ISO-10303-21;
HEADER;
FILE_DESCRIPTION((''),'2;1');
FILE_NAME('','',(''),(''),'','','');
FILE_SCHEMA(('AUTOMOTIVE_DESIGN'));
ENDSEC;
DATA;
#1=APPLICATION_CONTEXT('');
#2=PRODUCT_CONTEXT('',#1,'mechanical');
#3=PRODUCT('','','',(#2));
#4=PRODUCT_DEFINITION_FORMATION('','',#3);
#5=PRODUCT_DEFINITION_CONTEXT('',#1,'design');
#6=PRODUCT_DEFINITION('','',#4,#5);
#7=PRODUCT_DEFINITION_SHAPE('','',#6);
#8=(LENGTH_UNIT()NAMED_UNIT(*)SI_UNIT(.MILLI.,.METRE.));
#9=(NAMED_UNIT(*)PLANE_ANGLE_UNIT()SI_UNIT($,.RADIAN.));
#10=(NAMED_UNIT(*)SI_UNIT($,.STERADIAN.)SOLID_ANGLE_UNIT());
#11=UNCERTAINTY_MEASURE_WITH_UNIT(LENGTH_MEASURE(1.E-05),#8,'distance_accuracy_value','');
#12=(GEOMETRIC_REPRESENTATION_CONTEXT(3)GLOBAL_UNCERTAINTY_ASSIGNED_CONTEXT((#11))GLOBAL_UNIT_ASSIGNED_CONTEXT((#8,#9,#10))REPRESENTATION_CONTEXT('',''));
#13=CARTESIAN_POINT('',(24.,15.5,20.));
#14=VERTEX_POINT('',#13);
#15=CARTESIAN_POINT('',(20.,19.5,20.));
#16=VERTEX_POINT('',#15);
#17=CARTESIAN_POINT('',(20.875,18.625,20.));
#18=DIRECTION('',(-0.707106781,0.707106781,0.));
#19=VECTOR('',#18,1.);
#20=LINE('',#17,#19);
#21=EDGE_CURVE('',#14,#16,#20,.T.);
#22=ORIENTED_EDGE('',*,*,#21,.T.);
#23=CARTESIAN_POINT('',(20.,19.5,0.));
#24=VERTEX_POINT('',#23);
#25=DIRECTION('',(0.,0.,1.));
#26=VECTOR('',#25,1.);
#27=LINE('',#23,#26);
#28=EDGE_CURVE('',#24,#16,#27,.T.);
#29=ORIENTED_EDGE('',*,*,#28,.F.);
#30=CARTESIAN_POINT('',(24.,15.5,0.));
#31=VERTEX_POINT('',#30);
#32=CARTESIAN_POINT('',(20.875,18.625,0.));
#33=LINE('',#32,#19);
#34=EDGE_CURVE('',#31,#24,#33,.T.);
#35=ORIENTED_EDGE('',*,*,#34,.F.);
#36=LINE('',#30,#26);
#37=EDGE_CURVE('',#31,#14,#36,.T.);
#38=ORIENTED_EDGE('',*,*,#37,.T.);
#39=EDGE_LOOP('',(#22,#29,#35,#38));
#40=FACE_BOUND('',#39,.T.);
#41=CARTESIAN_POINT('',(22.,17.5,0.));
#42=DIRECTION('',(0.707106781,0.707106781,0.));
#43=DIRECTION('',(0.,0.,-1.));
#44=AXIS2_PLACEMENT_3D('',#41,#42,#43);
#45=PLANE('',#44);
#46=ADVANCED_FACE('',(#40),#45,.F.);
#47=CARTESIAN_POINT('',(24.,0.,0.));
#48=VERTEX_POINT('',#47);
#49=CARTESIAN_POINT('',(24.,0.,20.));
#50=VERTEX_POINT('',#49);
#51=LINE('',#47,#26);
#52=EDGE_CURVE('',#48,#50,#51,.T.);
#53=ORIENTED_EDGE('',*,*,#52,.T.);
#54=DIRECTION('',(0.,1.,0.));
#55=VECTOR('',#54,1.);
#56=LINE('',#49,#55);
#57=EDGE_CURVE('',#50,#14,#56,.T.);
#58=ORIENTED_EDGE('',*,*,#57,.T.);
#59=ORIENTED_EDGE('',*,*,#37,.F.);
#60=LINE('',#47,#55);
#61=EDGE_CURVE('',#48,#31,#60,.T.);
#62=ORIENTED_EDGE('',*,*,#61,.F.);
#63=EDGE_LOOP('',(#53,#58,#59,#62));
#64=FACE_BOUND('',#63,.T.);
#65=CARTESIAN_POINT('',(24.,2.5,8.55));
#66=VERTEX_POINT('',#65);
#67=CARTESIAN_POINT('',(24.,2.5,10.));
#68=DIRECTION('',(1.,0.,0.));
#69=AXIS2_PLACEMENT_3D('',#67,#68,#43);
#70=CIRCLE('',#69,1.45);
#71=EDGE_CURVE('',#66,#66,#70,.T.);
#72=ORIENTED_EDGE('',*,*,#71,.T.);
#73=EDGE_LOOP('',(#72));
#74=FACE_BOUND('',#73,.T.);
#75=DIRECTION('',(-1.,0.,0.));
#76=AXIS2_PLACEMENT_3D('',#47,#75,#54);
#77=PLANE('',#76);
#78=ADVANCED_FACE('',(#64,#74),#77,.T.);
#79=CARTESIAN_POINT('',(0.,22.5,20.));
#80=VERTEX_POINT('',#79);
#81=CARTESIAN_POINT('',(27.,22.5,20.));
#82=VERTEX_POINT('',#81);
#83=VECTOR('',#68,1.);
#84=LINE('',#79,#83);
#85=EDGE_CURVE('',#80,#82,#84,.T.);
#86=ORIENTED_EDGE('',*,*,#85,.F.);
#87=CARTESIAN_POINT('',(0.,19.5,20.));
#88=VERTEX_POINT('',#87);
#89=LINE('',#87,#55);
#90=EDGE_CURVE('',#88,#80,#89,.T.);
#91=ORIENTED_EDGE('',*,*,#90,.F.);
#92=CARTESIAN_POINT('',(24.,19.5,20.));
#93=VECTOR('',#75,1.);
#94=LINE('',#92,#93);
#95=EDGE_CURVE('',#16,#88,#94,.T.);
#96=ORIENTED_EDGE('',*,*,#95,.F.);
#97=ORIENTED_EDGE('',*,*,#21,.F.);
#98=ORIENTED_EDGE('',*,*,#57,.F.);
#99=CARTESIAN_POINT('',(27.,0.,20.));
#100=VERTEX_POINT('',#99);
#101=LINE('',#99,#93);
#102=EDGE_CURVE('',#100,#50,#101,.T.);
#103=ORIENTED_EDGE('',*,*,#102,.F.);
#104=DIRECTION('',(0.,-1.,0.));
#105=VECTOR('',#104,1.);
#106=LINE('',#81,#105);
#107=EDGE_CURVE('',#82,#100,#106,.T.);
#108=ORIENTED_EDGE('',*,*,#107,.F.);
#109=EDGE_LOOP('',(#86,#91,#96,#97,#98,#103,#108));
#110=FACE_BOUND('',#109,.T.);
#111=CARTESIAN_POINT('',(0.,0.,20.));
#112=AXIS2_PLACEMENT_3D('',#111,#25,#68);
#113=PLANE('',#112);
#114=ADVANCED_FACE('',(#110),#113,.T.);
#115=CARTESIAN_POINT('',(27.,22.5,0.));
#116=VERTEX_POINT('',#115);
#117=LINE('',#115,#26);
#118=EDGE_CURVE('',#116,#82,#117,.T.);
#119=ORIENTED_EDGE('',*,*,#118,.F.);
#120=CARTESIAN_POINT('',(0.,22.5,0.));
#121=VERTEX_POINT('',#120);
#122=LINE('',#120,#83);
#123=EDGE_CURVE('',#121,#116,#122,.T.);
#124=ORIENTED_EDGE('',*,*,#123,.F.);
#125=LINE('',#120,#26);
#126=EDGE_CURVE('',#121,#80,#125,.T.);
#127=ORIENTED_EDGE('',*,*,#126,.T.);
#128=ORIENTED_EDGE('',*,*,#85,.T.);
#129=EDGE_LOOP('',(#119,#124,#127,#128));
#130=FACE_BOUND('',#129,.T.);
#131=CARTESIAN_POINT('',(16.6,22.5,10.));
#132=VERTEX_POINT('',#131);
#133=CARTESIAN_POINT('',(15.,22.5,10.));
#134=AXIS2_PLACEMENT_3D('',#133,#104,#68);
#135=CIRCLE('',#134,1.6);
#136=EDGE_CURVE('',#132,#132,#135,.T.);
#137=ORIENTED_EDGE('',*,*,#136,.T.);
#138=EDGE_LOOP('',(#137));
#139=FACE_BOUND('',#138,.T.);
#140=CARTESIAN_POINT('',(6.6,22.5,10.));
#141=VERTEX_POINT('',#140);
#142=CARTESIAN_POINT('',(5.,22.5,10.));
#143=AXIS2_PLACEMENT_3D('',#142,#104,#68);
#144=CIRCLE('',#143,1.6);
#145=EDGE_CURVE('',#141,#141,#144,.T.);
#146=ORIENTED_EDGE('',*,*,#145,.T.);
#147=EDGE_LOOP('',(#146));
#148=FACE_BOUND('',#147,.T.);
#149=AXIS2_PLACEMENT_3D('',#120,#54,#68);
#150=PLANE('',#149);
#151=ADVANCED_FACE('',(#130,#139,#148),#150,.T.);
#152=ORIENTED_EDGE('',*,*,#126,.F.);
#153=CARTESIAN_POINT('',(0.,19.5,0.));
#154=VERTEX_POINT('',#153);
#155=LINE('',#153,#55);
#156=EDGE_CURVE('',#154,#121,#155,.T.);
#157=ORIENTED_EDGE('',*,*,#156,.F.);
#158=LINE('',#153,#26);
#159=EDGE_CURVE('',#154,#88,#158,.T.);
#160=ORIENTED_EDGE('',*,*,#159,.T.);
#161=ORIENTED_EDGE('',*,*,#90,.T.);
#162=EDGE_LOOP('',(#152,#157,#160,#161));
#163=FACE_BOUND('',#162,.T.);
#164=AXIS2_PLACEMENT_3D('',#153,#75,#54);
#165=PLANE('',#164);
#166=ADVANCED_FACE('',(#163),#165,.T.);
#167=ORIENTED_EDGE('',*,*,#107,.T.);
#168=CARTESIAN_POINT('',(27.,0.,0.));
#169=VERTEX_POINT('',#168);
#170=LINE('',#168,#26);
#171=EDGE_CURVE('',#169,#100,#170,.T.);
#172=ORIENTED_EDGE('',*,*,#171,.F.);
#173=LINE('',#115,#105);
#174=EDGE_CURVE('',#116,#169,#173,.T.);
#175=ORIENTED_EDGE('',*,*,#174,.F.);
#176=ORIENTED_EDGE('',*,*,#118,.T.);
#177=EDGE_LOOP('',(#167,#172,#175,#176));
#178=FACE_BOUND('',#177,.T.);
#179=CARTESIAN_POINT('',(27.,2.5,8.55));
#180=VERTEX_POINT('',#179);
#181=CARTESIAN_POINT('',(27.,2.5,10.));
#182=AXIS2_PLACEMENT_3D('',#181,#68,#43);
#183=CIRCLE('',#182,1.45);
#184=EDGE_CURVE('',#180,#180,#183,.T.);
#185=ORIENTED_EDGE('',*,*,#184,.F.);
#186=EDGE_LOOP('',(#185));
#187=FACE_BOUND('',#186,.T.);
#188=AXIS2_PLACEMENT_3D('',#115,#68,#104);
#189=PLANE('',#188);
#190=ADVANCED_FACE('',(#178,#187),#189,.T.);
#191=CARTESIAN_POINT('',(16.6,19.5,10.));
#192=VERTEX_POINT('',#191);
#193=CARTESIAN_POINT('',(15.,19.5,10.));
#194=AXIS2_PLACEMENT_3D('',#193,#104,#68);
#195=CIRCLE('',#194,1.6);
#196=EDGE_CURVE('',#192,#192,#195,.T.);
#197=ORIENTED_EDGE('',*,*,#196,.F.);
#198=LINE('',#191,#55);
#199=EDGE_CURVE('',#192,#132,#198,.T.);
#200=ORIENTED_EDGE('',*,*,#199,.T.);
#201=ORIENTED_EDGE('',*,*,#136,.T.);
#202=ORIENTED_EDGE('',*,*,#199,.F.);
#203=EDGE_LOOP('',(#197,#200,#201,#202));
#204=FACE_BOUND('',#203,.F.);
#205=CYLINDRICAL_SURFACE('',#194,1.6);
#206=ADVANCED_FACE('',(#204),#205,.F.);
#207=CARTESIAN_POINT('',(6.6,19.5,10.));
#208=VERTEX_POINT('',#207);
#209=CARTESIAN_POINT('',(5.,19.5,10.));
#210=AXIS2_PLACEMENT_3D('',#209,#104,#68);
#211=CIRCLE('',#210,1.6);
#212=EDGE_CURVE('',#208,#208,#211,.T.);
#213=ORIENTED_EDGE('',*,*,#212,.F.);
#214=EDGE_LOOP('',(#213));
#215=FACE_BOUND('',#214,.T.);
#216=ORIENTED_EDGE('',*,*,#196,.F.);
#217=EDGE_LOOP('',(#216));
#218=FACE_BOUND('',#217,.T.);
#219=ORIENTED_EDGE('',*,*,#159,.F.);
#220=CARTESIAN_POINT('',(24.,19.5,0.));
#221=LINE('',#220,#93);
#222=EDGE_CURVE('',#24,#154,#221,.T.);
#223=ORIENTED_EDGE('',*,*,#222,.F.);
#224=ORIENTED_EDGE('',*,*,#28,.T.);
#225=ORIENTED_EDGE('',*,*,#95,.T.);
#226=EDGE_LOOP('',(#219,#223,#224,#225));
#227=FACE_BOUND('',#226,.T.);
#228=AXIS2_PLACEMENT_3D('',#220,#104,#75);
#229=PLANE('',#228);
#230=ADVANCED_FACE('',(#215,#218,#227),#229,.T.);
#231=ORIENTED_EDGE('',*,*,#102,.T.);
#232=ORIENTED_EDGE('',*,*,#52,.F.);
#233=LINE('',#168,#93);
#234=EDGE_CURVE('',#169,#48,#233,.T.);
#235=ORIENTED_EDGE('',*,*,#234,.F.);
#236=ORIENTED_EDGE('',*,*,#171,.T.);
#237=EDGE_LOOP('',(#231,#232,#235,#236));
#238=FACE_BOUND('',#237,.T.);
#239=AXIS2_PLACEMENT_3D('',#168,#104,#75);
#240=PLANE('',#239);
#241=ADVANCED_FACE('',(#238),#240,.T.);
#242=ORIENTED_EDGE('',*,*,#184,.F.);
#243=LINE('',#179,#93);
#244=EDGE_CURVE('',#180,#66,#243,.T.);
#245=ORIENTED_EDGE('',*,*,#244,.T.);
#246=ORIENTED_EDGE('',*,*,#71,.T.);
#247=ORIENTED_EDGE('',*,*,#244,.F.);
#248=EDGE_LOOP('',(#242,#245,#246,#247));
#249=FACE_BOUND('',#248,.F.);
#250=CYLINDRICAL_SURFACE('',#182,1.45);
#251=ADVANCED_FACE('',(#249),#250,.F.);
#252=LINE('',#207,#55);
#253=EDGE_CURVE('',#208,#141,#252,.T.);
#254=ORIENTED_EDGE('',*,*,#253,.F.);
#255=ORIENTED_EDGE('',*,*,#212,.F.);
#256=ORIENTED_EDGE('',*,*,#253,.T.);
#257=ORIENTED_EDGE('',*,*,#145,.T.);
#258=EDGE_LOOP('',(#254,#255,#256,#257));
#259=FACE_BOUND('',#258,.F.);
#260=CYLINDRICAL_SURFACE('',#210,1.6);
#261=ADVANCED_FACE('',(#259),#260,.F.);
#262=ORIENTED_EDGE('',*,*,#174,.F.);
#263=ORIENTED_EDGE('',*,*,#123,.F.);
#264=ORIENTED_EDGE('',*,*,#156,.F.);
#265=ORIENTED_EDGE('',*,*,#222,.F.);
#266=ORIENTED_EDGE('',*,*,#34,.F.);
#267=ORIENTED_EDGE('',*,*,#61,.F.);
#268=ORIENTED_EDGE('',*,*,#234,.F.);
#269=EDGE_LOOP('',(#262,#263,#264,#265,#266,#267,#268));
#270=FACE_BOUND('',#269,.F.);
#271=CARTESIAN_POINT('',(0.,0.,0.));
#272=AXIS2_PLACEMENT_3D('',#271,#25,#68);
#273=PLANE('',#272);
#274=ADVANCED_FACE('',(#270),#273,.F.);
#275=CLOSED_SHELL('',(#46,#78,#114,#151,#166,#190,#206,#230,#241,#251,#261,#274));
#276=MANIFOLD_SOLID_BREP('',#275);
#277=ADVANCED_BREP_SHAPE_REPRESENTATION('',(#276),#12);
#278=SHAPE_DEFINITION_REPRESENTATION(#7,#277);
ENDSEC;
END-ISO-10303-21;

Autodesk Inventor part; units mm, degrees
ref_plane "YZ Plane" through (0, 0, 0) normal (1, 0, 0) x (0, 1, 0)
ref_plane "XZ Plane" through (0, 0, 0) normal (0, 1, 0) x (-1, 0, 0)
ref_plane "XY Plane" through (0, 0, 0) normal (0, 0, 1) x (1, 0, 0)
sketch "Sketch1" plane through (0, 0, 0) normal (0, 0, 1) x (1, 0, 0)
  line L0 (0, 22.5) -> (27, 22.5)
  line L1 (27, 22.5) -> (27, 0)
  line L2 (27, 0) -> (24, 0)
  line L3 (24, 0) -> (24, 19.5)
  line L4 (24, 19.5) -> (0, 19.5)
  line L5 (0, 19.5) -> (0, 22.5)
  line L6 (-5.4, 0) -> (32.4, 0) construction
  line L7 (0, -4.5) -> (0, 27) construction
  point P0 (0, 0)
  dimension "d0" = 3
  dimension "d1" = 3
  dimension "d2" = 22.5
  dimension "d3" = 27
extrude "Extrusion1" add sketch "Sketch1" along normal blind 20
chamfer "Chamfer1" distance 4 angle 45 1 edges at (24, 19.5, 10)
sketch "Sketch2" plane through (27, 0, 0) normal (1, 0, 0) x (0, 0, -1)
  circle A0 centre (-10, 2.5) radius 1.45
  line L0 (0, 0) -> (-20, 0) construction
  line L1 (-10, 0) -> (-10, 2.5) construction
  dimension "d9" = 2.9
  dimension "d10" = 2.5
extrude "Extrusion2" cut sketch "Sketch2" against normal up to surface (3 mm away)
sketch "Sketch3" plane through (0, 19.5, 0) normal (0, -1, 0) x (1, 0, 0)
  circle A0 centre (5, 10) radius 1.6
  circle A1 centre (15, 10) radius 1.6
  line L0 (0, 0) -> (0, 20) construction
  line L1 (0, 10) -> (20, 10) construction
  line L2 (20, 20) -> (20, 0) construction
  dimension "d13" = 3.2
  dimension "d14" = 5
  dimension "d15" = 5
extrude "Extrusion3" cut sketch "Sketch3" against normal up to surface (3 mm away)
properties part number "Motor_Holder"
